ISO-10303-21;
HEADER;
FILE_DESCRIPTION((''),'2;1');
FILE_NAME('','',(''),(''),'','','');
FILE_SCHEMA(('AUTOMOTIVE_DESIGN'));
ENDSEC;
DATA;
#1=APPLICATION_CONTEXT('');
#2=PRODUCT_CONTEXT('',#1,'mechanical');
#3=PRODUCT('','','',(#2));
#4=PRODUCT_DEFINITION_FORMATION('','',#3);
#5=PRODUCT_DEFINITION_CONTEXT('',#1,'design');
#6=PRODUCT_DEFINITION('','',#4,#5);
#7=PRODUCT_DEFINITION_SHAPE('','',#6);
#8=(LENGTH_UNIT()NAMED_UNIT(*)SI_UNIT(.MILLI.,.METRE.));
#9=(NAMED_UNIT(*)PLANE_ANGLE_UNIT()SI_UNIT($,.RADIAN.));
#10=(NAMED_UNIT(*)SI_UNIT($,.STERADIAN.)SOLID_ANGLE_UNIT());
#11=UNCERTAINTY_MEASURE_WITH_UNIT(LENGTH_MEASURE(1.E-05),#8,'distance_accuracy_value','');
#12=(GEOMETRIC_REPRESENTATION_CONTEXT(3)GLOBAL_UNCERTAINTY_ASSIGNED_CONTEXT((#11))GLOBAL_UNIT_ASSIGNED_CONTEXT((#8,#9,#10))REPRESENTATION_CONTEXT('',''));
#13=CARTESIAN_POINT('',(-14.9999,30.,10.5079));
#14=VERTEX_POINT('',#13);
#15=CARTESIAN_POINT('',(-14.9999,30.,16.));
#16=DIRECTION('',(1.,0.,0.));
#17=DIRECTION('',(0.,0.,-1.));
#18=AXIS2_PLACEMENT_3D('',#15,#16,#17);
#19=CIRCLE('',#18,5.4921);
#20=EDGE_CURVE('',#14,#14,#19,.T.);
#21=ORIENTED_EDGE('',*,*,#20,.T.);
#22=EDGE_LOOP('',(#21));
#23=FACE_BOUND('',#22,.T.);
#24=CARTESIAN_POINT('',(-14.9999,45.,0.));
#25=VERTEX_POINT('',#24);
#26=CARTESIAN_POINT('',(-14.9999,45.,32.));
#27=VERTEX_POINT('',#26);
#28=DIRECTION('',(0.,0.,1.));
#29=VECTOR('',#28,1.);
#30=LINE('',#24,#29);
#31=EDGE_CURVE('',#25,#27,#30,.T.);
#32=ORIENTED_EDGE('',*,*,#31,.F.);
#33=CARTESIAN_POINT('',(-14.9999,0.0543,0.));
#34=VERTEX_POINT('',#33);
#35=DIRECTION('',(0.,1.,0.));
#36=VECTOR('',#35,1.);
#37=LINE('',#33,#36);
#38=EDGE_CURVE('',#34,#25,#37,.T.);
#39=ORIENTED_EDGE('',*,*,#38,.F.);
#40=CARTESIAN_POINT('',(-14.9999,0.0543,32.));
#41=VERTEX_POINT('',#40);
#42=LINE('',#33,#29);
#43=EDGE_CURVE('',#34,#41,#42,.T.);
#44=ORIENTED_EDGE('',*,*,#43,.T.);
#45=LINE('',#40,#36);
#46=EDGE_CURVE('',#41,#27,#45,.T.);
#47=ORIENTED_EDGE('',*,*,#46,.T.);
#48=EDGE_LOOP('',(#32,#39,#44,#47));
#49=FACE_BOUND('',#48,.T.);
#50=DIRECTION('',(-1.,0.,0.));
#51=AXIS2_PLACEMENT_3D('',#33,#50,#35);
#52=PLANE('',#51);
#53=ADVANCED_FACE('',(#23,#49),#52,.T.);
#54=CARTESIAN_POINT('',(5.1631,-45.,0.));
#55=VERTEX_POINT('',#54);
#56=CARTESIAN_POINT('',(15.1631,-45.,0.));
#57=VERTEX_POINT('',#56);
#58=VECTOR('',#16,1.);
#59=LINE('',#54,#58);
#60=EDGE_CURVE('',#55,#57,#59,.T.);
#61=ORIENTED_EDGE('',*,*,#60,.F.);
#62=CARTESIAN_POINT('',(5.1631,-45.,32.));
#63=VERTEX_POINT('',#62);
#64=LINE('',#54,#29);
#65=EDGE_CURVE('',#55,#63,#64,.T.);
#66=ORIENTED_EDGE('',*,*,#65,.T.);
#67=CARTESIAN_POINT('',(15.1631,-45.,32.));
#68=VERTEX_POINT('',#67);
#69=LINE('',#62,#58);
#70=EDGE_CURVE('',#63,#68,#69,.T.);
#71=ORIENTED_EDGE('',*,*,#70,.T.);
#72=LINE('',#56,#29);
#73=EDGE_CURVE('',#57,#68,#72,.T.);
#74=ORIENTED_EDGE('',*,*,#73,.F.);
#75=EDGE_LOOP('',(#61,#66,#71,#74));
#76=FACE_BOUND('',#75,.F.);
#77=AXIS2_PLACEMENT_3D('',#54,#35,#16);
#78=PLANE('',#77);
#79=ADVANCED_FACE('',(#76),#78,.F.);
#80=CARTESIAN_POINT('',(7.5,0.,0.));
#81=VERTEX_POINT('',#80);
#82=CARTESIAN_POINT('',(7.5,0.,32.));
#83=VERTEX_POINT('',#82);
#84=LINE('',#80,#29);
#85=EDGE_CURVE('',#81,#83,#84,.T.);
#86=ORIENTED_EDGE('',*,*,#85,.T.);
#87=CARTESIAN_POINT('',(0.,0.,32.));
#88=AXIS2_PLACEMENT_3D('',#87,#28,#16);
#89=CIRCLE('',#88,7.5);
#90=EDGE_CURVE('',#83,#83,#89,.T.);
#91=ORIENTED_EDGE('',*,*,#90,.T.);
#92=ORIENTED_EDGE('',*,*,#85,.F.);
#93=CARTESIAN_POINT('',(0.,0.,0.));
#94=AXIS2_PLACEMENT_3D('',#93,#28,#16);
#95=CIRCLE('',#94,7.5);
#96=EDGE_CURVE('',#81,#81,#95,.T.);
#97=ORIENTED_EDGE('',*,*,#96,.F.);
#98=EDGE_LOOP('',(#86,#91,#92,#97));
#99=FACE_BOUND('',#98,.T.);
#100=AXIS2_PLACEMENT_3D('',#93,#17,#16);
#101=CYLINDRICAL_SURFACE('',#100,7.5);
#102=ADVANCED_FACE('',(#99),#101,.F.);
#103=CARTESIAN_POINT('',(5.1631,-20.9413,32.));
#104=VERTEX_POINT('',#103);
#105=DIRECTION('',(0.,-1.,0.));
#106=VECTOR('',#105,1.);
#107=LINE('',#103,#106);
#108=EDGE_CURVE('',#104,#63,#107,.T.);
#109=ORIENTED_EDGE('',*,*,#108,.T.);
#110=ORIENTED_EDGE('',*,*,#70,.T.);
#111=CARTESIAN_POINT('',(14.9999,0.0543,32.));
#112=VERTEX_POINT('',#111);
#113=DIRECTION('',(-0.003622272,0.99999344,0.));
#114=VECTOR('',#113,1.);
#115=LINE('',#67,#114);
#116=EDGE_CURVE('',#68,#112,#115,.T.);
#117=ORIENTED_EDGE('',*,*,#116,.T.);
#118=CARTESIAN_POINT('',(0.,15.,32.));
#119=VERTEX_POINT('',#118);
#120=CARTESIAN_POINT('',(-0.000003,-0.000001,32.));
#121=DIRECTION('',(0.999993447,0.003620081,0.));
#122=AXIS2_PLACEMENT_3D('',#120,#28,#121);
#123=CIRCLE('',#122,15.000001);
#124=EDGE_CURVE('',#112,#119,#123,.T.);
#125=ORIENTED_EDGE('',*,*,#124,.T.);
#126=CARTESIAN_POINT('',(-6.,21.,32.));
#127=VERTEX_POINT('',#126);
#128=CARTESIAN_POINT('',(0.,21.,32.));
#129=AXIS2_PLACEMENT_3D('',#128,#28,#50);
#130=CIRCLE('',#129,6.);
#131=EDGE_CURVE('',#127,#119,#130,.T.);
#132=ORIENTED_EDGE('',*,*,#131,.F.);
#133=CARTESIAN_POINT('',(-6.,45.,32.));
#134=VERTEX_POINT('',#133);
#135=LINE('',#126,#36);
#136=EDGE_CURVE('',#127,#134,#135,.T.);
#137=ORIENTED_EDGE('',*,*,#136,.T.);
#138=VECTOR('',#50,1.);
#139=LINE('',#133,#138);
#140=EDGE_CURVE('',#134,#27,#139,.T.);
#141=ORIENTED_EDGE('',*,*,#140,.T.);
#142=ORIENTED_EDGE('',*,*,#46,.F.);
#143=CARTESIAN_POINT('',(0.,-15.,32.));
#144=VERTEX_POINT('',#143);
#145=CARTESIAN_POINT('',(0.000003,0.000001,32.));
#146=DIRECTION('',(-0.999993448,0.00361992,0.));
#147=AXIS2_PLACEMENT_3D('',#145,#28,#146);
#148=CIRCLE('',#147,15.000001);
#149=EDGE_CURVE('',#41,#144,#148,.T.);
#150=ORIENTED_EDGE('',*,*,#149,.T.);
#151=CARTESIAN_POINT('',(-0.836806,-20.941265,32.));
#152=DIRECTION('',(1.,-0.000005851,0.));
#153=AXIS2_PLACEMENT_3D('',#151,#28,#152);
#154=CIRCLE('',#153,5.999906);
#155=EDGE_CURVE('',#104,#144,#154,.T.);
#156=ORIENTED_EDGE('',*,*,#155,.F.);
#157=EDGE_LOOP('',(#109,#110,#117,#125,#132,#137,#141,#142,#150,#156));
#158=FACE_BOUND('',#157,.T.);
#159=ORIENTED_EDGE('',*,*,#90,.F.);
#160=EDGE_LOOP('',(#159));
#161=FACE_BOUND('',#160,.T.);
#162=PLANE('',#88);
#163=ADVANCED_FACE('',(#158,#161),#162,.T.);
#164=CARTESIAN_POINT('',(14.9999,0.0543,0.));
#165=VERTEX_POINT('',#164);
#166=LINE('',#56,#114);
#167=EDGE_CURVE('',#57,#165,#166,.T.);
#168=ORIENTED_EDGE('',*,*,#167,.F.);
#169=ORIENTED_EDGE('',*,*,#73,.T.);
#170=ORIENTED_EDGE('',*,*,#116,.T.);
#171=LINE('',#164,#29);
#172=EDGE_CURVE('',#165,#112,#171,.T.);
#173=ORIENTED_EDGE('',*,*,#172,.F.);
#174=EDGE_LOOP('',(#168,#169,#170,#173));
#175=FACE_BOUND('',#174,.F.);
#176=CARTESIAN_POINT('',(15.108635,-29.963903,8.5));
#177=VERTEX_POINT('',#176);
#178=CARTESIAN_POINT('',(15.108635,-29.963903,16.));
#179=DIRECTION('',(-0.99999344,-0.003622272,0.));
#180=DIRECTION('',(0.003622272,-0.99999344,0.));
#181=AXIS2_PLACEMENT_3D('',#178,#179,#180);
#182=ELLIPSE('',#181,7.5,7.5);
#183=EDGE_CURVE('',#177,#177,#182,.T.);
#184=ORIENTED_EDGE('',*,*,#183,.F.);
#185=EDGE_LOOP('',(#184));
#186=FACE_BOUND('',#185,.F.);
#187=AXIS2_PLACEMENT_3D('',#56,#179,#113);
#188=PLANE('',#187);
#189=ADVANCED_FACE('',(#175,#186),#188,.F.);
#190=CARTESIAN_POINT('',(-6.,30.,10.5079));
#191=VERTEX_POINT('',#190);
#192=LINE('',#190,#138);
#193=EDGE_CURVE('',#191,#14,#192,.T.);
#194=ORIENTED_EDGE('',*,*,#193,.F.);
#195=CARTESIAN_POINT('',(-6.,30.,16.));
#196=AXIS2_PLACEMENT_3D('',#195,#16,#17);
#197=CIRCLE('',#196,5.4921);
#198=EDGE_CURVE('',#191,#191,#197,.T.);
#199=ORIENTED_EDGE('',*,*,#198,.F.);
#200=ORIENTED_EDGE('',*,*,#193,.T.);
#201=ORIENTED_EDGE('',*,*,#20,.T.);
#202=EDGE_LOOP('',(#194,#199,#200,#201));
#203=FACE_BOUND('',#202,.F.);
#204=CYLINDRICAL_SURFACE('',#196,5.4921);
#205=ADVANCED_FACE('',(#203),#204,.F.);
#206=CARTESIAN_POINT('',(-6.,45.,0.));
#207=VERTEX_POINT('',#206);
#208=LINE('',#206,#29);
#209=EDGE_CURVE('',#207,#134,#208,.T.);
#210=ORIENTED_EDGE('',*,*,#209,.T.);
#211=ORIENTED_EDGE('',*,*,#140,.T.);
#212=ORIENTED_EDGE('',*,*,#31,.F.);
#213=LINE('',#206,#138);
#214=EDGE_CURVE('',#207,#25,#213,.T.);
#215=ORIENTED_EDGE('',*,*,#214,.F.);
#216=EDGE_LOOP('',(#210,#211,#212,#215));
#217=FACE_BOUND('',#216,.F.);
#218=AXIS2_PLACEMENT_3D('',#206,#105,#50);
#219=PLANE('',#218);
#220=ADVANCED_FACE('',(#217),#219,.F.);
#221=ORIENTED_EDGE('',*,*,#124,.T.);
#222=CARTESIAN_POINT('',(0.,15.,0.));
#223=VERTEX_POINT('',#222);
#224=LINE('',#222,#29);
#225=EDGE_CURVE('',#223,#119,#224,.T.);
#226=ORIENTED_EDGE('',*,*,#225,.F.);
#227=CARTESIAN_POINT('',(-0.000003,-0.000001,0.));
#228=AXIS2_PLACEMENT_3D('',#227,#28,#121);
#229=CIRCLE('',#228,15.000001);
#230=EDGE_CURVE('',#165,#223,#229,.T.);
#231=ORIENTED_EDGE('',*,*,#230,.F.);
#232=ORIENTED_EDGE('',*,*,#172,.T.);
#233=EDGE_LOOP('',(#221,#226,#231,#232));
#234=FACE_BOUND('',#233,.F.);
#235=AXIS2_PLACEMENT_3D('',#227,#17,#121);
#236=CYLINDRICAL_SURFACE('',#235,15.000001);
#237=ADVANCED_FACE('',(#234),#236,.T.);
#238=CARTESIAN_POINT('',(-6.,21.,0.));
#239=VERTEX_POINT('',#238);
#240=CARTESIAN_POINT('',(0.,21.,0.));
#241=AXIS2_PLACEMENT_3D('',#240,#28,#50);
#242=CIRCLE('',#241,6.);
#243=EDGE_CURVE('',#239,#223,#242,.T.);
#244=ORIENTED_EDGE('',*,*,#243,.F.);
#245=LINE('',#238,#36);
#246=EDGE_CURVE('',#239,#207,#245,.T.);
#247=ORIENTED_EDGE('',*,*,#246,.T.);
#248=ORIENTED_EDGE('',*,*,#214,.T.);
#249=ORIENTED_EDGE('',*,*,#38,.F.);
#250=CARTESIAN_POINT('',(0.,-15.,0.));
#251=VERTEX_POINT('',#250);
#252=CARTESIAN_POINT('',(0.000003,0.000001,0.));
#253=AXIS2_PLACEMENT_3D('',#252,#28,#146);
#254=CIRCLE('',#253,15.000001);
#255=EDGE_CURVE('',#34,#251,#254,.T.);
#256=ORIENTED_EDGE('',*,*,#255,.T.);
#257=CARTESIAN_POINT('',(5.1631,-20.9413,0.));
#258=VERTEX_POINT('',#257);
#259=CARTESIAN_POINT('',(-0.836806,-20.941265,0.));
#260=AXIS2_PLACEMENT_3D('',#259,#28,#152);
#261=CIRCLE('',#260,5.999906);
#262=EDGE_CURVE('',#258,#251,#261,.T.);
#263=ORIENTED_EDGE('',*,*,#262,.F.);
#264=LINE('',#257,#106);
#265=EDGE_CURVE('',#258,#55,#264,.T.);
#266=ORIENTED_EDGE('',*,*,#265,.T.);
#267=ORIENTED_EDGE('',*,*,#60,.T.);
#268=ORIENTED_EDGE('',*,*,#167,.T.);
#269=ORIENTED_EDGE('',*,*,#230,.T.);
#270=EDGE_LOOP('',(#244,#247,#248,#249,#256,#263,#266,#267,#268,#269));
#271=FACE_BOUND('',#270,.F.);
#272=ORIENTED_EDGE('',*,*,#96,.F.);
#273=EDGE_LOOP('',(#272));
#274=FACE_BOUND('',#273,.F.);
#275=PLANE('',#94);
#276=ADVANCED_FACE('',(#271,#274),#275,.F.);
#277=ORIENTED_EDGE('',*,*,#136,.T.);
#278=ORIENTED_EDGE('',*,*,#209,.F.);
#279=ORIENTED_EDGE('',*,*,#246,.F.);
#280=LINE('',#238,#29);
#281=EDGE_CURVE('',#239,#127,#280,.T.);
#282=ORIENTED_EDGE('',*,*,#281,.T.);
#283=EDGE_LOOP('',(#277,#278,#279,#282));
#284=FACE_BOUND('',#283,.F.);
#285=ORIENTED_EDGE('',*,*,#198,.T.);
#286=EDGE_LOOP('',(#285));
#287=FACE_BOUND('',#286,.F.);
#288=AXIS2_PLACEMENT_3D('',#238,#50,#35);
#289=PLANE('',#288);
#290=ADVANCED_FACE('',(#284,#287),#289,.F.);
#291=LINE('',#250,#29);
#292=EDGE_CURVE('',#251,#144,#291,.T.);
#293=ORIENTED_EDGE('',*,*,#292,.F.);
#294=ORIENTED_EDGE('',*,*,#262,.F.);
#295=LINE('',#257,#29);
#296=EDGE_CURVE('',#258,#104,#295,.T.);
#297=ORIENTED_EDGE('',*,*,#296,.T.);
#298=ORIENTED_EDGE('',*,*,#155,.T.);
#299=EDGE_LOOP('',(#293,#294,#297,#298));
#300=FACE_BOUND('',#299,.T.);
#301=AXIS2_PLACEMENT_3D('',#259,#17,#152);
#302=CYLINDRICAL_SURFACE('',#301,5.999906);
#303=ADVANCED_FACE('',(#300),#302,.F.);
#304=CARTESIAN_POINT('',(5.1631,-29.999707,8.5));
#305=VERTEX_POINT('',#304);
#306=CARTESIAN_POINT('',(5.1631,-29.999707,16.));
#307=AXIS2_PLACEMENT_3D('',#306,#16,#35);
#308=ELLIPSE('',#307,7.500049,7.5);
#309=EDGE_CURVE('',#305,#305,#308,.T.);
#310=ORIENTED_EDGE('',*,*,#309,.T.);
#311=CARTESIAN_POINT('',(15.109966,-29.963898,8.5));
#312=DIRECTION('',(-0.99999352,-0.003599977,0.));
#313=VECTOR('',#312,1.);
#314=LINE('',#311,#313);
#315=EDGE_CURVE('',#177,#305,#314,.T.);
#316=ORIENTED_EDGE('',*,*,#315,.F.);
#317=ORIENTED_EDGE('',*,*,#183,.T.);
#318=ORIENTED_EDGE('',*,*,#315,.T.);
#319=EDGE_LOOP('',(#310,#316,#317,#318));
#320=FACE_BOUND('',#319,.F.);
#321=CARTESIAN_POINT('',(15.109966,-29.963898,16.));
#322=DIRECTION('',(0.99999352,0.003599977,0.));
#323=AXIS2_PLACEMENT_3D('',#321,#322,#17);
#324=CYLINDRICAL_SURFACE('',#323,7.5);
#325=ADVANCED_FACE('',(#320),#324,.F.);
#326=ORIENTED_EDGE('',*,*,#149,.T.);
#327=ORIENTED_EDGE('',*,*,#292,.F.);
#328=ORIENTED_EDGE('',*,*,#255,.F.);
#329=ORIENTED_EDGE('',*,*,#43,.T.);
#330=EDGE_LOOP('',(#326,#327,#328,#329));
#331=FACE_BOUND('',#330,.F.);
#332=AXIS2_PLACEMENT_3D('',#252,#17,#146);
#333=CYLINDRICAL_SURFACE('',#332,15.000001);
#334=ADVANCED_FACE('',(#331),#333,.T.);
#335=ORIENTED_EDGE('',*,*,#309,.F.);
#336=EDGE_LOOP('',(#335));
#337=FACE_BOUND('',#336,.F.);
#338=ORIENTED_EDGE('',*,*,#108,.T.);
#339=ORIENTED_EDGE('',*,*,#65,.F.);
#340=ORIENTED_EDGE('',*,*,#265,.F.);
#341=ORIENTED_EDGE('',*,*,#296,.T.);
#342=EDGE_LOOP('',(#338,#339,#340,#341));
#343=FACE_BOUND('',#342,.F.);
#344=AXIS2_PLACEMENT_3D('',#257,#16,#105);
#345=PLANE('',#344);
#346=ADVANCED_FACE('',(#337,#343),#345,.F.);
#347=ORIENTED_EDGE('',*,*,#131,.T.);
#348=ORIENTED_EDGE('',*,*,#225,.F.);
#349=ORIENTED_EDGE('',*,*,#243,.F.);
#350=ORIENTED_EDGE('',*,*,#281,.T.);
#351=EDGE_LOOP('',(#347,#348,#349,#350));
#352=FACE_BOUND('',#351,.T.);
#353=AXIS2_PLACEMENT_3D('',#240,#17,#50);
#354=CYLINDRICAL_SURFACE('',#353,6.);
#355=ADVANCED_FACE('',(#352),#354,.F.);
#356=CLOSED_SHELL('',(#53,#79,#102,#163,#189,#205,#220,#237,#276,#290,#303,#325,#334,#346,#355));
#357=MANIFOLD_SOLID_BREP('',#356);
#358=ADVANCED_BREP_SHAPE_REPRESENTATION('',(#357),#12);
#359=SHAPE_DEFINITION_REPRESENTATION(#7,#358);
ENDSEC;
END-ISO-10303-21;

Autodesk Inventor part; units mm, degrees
ref_plane "YZ Plane" through (0, 0, 0) normal (1, 0, 0) x (0, 1, 0)
ref_plane "XZ Plane" through (0, 0, 0) normal (0, 1, 0) x (-1, 0, 0)
ref_plane "XY Plane" through (0, 0, 0) normal (0, 0, 1) x (1, 0, 0)
sketch "Náčrt1" plane through (0, 0, 0) normal (0, 0, 1) x (1, 0, 0)
  line L0 (5.1631, -20.9413) -> (5.1631, -45)
  arc A0 (5.1631, -20.9413) -> (0, -15) centre (-0.8369, -20.9413) ccw
  line L1 (5.1631, -45) -> (15.1631, -45)
  line L2 (15.1631, -45) -> (14.9999, 0.0543)
  line L3 (-14.9999, 0.0543) -> (-14.9999, 45)
  arc A1 (-6, 21) -> (0, 15) centre (0, 21) ccw
  line L4 (-6, 21) -> (-6, 45)
  line L5 (-6, 45) -> (-14.9999, 45)
  circle A2 centre (0, 0) radius 7.5
  arc A3 (-14.9999, 0.0543) -> (0, -15) centre (0, 0) ccw
  arc A4 (14.9999, 0.0543) -> (0, 15) centre (0, 0) ccw
  dimension "d1" = 6
  dimension "d2" = 45
  dimension "d3" = 10
  dimension "d10" = 12
  dimension "d11" = 15
extrude "Vysunutí1" add sketch "Náčrt1" along normal blind 32
sketch "Náčrt2" plane through (14.9999, 0.0543, 32) normal (1, 0.0036, 0) x (0, 0, -1)
  line L0 (32, -45.0184) -> (0, -45.0184) projected
  circle A0 centre (16, -30.0184) radius 7.5
  line L1 (32, -45.0546) -> (32, 0) projected
  dimension "d15" = 15
  dimension "d16" = 15
  dimension "d17" = 16
extrude "Vysunutí2" cut sketch "Náčrt2" against normal blind 32
sketch "Náčrt3" plane through (-6, 21, 0) normal (1, 0, 0) x (0, 0, -1)
  circle A0 centre (-16, 9) radius 5.4921
  line L0 (0, 0) -> (0, 24) projected
  line L1 (0, 24) -> (-32, 24) projected
  point P0 (0, -21)
  dimension "d20" = 16
  dimension "d21" = 15
extrude "Vysunutí3" cut sketch "Náčrt3" against normal blind 32
properties part number "15"
